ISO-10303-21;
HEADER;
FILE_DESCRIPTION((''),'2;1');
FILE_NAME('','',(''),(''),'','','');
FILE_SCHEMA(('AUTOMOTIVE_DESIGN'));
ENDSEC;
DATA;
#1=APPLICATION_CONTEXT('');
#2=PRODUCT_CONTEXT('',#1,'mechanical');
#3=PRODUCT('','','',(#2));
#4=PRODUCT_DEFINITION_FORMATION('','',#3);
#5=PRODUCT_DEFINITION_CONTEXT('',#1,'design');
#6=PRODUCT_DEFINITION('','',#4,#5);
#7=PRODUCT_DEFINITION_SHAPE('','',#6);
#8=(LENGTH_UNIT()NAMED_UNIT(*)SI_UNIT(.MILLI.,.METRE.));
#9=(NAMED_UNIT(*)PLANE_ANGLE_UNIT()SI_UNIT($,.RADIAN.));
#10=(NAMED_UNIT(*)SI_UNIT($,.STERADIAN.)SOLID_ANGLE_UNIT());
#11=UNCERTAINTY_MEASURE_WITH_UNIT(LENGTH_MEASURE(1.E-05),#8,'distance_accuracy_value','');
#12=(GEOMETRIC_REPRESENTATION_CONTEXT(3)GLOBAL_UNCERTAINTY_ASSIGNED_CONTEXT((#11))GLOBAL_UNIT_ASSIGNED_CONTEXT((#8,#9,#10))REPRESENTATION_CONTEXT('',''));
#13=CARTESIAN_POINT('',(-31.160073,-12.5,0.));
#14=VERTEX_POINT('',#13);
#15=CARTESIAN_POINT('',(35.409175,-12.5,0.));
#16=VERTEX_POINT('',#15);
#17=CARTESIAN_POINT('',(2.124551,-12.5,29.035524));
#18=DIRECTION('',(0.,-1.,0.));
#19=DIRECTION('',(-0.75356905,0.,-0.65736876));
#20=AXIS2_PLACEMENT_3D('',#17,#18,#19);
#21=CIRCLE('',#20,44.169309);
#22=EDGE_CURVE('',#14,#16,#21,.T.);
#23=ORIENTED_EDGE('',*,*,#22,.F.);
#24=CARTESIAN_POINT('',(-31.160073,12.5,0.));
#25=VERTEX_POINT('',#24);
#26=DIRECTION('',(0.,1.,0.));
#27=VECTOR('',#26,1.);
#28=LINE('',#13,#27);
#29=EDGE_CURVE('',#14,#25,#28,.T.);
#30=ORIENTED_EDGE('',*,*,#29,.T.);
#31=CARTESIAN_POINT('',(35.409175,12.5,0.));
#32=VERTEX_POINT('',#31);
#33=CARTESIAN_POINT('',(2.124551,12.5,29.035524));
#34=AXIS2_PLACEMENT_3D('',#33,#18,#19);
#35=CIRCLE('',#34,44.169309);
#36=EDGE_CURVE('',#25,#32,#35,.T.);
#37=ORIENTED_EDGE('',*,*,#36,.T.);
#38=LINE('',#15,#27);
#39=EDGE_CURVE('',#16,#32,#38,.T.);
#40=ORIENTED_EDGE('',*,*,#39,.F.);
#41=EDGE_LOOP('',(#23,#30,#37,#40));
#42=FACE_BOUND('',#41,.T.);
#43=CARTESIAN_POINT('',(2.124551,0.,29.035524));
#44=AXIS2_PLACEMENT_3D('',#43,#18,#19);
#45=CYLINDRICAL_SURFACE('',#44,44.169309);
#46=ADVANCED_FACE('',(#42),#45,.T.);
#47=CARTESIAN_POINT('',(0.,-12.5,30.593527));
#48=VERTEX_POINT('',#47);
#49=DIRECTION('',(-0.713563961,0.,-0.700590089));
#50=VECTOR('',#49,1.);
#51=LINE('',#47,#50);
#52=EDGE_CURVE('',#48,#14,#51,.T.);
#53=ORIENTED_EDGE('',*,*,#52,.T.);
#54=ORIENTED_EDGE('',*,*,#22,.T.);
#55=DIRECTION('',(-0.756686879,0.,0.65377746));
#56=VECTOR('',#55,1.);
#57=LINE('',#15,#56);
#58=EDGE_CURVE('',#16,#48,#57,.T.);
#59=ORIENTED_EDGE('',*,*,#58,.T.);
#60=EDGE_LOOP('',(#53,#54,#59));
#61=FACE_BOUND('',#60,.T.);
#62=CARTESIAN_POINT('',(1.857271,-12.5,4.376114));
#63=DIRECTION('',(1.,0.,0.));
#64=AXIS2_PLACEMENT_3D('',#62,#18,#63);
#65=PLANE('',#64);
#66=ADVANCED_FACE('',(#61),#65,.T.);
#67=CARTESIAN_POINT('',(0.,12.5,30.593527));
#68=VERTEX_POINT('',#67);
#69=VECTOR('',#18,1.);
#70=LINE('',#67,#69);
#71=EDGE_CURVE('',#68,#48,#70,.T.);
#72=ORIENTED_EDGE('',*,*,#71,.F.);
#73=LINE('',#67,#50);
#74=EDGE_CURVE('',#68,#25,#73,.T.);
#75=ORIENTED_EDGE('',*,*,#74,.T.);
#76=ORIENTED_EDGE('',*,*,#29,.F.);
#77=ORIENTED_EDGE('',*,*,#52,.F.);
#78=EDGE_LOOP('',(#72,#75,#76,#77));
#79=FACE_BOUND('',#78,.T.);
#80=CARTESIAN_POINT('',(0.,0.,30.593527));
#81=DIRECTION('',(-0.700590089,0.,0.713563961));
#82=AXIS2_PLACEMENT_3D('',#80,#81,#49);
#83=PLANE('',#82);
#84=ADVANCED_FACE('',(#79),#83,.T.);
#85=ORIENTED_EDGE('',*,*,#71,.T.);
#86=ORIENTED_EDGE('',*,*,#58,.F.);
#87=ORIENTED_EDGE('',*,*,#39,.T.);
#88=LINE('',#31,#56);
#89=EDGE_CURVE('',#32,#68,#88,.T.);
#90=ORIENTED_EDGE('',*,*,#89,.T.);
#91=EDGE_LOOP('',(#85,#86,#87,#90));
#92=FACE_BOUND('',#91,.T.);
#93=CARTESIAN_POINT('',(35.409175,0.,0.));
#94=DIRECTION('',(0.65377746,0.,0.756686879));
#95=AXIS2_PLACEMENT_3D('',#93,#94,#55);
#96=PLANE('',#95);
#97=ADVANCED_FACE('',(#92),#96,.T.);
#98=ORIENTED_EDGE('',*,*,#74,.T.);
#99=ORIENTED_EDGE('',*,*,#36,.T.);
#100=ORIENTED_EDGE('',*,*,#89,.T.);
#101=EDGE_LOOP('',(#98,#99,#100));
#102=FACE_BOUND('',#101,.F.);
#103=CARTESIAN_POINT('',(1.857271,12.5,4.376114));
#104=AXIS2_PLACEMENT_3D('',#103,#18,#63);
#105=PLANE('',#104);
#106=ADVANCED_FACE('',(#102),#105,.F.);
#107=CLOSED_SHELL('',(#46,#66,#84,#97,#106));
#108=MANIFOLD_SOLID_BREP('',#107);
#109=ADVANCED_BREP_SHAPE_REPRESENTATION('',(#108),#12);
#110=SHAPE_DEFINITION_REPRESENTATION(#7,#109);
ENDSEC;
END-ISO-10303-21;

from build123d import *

# Parameters (mm, degrees)
F1_DEPTH = 12.5


with BuildPart() as f1:
    # F0 (on Front) → F1 (new body, symmetric)
    with BuildSketch(Plane.XZ):
        with BuildLine():
            Line((35.409175, 0), (0, 30.593527))
            Line((0, 30.593527), (-31.160073, 0))
            ThreePointArc((-31.160073, 0), (2.124551, -15.133785), (35.409175, 0))
        make_face()
    extrude(amount=F1_DEPTH, both=True)


solid = f1.part
